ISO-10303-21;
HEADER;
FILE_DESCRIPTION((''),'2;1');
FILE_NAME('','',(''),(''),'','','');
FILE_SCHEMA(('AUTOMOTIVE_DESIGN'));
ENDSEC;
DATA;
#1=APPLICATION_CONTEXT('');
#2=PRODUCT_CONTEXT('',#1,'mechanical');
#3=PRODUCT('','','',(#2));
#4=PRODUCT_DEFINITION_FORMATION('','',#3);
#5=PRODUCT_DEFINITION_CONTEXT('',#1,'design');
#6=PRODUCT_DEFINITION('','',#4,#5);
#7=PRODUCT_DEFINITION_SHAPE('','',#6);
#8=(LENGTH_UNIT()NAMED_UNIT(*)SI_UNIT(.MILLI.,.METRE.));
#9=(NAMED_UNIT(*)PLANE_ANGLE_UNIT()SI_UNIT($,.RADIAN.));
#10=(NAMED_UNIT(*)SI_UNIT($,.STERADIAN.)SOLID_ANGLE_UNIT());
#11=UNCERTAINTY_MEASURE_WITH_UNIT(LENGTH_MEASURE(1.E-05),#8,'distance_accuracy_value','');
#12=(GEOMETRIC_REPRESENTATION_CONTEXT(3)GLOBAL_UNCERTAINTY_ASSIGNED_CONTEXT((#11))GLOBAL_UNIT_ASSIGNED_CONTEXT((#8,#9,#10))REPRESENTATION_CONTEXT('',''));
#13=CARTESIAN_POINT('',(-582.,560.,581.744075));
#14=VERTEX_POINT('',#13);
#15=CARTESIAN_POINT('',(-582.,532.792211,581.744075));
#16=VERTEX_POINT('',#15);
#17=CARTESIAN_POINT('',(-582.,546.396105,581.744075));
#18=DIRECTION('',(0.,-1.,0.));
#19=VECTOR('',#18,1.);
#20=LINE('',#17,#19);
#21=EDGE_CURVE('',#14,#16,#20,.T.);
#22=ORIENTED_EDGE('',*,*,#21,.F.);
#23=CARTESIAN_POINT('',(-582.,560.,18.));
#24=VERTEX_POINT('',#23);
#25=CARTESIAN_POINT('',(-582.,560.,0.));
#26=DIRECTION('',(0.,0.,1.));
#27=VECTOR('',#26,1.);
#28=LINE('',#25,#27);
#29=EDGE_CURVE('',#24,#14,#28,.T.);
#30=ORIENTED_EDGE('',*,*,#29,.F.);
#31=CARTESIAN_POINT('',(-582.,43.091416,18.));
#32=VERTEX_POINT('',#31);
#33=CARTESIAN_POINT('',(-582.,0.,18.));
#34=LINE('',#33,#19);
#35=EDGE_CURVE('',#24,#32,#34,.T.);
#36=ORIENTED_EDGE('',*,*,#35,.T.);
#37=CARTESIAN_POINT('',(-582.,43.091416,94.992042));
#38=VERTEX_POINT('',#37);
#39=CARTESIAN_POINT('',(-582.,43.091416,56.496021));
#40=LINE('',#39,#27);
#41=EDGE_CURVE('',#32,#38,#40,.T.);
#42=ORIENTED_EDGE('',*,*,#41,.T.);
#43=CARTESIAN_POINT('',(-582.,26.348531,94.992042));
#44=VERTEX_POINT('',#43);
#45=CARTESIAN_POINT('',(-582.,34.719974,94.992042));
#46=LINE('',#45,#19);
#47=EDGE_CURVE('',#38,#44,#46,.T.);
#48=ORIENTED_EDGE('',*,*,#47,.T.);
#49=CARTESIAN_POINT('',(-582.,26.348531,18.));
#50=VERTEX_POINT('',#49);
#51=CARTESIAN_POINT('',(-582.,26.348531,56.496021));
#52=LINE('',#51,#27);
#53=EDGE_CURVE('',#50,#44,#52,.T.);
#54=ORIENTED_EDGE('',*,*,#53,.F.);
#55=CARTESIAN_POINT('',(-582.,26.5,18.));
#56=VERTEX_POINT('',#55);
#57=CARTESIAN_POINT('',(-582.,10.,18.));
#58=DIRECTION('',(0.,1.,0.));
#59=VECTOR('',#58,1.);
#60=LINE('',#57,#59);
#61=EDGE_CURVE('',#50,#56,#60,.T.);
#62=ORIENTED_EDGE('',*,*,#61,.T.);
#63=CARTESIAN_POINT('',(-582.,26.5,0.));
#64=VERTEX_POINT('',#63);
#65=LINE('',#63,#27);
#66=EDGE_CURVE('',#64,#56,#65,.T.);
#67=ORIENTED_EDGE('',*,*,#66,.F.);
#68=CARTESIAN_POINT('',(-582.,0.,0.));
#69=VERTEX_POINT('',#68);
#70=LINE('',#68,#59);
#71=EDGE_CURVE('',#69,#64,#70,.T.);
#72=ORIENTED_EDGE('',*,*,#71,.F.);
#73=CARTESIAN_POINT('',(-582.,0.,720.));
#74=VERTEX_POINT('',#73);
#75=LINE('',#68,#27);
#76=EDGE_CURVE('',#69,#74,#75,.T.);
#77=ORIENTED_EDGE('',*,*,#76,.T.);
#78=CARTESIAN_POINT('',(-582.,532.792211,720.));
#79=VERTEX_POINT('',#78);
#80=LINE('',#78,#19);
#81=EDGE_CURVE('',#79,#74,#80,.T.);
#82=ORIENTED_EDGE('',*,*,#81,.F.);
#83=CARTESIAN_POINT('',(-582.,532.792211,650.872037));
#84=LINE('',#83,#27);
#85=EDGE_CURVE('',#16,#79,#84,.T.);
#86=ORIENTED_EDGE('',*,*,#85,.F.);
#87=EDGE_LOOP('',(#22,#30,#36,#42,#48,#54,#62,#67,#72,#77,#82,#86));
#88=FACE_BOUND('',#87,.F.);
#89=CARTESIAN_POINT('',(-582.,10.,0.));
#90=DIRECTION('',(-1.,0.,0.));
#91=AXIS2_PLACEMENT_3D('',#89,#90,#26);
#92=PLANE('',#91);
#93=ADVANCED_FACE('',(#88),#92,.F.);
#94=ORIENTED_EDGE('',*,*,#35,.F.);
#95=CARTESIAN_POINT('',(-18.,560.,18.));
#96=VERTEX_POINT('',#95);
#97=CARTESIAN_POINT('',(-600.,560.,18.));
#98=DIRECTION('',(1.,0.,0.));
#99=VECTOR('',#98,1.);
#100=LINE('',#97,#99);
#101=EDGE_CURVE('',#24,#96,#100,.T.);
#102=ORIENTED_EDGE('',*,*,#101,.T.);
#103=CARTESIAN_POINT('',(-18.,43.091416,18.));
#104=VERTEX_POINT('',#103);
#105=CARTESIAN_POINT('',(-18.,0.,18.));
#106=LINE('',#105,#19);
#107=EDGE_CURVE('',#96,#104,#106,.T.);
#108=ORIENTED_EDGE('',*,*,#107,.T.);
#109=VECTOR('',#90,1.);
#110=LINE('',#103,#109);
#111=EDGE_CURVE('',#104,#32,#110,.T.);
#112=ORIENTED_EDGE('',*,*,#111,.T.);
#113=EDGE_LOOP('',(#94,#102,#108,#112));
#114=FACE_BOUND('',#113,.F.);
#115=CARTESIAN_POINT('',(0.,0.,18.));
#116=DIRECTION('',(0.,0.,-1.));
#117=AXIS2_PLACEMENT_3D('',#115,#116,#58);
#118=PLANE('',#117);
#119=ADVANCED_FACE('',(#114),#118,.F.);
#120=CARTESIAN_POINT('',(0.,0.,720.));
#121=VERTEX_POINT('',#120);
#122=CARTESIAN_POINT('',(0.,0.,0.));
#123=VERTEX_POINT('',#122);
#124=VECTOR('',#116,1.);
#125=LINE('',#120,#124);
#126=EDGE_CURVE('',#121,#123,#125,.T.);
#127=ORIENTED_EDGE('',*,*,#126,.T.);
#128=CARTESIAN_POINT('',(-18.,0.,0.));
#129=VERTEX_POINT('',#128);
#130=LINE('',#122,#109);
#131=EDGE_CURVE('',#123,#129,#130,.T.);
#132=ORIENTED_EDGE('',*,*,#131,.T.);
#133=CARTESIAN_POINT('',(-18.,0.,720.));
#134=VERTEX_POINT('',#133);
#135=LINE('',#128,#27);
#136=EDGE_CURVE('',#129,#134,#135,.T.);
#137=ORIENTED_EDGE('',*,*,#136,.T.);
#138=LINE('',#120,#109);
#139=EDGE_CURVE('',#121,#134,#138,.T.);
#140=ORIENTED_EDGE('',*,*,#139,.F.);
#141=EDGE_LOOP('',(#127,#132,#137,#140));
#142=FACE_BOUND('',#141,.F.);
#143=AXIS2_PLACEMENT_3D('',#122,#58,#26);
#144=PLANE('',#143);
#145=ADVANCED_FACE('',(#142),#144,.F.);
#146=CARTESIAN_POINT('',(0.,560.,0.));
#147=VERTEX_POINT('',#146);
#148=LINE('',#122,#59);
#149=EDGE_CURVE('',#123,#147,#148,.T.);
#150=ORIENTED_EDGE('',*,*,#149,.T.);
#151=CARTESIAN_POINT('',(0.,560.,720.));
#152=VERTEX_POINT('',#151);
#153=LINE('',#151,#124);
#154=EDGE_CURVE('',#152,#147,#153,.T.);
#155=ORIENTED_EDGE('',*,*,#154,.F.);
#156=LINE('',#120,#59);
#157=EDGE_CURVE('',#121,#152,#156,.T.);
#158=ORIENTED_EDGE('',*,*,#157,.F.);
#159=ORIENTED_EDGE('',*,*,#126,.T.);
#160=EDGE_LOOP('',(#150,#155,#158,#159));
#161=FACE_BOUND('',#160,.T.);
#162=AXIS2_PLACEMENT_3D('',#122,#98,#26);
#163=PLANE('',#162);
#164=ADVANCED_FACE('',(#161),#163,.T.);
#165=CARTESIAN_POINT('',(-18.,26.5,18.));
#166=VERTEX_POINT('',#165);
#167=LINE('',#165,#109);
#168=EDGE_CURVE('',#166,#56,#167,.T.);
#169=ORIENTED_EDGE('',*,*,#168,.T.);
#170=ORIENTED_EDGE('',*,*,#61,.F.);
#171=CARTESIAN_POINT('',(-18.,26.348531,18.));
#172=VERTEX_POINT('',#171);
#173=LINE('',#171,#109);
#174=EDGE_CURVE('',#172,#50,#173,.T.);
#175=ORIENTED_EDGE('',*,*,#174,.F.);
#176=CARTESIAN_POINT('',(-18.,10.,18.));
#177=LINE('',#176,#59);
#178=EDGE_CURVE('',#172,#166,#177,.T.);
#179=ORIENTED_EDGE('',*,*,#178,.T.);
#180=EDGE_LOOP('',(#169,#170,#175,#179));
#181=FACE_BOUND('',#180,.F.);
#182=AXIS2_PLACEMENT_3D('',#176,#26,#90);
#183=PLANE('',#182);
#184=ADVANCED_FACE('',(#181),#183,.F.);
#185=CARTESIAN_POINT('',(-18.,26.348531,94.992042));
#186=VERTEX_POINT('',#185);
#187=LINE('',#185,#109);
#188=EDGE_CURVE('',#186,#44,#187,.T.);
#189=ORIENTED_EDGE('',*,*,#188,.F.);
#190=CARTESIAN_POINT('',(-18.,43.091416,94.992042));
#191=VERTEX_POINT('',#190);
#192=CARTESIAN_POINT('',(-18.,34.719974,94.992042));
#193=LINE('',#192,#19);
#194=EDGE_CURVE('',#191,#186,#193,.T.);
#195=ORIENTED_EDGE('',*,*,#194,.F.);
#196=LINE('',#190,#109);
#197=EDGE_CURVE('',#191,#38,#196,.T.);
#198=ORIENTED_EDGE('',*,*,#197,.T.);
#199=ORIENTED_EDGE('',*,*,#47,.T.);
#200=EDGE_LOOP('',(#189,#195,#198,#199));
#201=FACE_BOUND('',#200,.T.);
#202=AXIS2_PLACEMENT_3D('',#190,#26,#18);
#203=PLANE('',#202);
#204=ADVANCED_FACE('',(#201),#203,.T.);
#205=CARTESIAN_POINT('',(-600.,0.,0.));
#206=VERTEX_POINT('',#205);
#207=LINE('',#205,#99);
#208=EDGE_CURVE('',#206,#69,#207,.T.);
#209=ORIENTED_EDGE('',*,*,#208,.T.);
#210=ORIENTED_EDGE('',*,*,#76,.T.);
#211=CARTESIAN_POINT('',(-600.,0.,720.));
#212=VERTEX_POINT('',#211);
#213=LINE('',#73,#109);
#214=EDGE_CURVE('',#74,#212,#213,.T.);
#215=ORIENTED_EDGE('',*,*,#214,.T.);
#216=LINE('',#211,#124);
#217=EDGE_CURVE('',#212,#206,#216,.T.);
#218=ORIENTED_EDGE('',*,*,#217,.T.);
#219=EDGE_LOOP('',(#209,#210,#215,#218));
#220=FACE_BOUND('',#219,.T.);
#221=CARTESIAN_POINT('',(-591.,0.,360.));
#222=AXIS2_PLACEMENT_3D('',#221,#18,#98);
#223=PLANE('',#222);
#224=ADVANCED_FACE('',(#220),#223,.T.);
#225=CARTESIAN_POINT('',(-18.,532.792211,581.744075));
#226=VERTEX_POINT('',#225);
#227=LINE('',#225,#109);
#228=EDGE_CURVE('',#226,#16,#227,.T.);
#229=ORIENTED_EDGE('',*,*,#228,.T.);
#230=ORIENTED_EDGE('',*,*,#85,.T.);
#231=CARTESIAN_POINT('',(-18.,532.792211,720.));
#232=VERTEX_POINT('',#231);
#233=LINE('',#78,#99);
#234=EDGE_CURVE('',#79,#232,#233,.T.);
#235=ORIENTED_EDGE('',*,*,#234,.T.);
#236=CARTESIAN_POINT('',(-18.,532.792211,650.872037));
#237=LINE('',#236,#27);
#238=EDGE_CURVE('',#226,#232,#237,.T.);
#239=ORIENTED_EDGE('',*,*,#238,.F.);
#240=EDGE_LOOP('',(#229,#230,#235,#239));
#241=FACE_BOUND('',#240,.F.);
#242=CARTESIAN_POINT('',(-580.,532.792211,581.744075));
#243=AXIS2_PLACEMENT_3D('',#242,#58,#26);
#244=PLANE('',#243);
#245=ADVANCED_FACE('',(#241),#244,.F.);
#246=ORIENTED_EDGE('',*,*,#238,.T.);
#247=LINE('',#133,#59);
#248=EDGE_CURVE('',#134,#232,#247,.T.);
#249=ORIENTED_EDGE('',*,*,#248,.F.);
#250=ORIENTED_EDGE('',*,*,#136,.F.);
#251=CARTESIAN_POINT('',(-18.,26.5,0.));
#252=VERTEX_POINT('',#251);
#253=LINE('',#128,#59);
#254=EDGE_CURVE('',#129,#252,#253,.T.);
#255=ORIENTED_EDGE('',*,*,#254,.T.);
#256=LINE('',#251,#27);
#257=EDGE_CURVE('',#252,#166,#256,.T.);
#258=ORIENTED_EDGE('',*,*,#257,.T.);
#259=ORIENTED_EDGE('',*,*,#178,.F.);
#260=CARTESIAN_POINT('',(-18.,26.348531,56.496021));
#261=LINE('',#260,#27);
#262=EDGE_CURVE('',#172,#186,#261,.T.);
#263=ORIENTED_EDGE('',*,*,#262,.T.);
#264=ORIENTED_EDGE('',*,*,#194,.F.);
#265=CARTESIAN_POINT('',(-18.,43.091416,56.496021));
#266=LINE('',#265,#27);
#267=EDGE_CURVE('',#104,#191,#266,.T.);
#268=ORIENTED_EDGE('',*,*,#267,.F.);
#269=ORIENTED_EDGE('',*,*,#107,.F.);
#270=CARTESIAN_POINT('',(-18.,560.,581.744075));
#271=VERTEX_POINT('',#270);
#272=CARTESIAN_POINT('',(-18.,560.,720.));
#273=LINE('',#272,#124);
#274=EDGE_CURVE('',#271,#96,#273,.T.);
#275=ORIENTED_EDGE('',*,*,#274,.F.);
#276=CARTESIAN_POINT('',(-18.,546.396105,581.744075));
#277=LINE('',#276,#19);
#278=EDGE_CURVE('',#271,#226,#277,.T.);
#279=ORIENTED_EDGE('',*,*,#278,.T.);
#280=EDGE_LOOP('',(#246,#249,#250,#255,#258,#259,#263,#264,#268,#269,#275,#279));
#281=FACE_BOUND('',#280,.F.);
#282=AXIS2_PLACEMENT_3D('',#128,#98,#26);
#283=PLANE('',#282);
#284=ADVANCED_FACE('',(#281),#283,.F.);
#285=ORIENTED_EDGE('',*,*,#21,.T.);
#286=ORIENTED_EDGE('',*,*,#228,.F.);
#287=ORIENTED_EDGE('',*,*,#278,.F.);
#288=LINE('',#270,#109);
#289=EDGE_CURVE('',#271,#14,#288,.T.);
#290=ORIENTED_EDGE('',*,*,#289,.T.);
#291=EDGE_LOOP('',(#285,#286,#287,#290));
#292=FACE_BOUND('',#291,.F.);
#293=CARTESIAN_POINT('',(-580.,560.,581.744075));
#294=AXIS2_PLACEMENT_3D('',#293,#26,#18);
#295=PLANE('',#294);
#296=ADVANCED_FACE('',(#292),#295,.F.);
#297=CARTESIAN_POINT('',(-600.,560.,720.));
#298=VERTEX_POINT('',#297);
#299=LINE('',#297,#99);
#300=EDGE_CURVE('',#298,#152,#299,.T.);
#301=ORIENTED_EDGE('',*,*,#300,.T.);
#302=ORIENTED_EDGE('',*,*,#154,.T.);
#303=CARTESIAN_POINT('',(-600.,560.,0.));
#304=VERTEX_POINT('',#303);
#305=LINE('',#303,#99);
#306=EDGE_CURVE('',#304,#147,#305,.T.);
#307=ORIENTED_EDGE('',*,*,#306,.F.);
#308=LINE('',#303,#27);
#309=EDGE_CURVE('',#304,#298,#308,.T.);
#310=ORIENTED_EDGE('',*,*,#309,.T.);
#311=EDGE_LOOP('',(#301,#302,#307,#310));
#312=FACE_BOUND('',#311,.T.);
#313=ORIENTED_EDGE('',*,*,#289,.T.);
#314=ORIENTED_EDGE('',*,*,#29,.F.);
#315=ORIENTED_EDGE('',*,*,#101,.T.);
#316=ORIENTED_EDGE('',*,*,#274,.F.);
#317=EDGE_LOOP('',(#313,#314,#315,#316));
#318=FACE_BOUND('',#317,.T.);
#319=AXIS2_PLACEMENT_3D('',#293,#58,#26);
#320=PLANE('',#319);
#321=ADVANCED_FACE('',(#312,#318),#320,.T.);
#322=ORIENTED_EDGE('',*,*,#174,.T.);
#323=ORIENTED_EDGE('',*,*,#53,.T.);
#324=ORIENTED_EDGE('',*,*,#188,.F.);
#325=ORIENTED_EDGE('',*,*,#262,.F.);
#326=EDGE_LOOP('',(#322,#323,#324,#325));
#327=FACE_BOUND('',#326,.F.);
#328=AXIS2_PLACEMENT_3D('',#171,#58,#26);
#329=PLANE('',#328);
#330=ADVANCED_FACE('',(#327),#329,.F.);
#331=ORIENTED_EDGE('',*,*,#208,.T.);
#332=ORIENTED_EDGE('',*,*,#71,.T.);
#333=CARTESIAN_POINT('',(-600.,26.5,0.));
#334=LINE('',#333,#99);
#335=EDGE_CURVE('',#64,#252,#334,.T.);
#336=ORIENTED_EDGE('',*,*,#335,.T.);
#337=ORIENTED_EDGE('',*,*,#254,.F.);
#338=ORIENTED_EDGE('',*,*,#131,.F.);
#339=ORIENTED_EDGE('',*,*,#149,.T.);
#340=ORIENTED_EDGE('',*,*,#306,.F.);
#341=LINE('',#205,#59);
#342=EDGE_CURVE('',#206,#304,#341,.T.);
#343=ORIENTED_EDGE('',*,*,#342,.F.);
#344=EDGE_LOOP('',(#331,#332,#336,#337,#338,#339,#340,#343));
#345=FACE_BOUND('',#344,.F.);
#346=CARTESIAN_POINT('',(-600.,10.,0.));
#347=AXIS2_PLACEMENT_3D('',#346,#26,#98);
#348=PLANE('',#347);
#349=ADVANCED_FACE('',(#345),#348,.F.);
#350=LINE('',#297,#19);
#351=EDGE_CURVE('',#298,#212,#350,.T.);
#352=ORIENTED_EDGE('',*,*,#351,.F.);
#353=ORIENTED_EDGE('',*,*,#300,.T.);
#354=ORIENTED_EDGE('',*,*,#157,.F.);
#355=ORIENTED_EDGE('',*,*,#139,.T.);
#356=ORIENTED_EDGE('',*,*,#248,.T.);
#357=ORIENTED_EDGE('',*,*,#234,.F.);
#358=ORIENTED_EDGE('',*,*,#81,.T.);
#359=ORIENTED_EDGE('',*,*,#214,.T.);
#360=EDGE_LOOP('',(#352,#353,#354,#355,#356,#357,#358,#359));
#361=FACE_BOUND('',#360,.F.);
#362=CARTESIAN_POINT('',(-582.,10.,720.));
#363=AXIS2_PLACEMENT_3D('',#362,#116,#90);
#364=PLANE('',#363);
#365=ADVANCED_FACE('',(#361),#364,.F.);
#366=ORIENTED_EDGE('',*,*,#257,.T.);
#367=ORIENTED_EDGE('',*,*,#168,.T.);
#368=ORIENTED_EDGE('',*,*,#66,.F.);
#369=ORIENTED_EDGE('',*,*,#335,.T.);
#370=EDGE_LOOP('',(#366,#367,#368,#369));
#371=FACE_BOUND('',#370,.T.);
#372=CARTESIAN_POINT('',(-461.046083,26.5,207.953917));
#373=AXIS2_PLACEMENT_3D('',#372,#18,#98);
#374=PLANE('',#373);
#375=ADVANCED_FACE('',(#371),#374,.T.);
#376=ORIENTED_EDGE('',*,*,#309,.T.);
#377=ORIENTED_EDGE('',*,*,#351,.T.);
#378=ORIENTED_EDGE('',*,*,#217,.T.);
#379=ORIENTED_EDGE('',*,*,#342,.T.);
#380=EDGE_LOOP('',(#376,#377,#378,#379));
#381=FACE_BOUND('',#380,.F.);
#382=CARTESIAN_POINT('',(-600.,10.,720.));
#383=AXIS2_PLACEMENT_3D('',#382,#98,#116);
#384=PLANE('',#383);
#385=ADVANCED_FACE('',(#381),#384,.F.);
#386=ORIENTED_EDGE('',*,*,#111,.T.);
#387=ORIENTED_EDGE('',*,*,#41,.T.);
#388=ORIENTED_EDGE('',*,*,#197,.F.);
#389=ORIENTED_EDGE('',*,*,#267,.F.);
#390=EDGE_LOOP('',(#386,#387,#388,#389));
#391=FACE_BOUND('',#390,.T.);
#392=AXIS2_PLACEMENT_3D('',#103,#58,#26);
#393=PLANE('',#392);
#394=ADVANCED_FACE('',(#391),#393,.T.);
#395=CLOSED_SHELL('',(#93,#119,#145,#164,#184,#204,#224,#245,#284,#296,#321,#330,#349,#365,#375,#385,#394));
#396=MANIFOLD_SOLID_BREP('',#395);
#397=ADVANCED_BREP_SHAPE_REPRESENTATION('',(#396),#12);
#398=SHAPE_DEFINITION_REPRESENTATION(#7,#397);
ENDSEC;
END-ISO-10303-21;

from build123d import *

# Parameters (mm, degrees)
F0_W      = 52.5068640709
F0_H      = 40.332518518
F1_DEPTH  = 560
F2_DEPTH  = 600
F3_DEPTH  = 720
F4_T      = -18
F5_W      = 27.2077894211
F5_H      = 138.2559251785
F6_DEPTH  = 562
F7_DEPTH  = 2
F8_W      = 16.7428851128
F8_H      = 76.9920415878
F9_DEPTH  = 564
F11_DEPTH = 10
F13_DEPTH = 10
F14_DEPTH = 16.5


with BuildPart() as f1:
    # F0 (on Front) → F1 (new body)
    with BuildSketch(Plane.XZ):
        with Locations((-26.2534320354, 20.166259259)):
            Rectangle(F0_W, F0_H)
    extrude(amount=-F1_DEPTH)

    # F2 (add): a face of the model
    f2_faces = [f1.faces().sort_by_distance(p)[0] for p in [
        (0, 280, 20.166259259),
    ]]
    extrude(f2_faces, amount=-F2_DEPTH)

    # F3 (add): a face of the model
    f3_faces = [f1.faces().sort_by_distance(p)[0] for p in [
        (-300, 280, 0),
    ]]
    extrude(f3_faces, amount=-F3_DEPTH)

    # F4
    f4_openings = [f1.faces().sort_by_distance(p)[0] for p in [
        (-300, 560, 360),
        (-300, 280, 720),
        (-300, 0, 360),
    ]]
    offset(amount=F4_T, openings=f4_openings)

    # F5 (on face) → F6 (join)
    with BuildSketch(Plane(origin=(-18, 0, 0), x_dir=(0, -1, 0), z_dir=(-1, 0, 0))):
        with Locations((-546.3961052895, 650.8720374107)):
            Rectangle(F5_W, F5_H)
    extrude(amount=F6_DEPTH)

    # F7 (add): a face of the model
    f7_faces = [f1.faces().sort_by_distance(p)[0] for p in [
        (-580, 546.3961052895, 650.8720374107),
    ]]
    extrude(f7_faces, amount=F7_DEPTH)

    # F8 (on face) → F9 (join)
    with BuildSketch(Plane(origin=(-18, 0, 0), x_dir=(0, -1, 0), z_dir=(-1, 0, 0))):
        with Locations((-34.7199738026, 56.4960207939)):
            Rectangle(F8_W, F8_H)
    extrude(amount=F9_DEPTH)

    # F10 (on face) → F11 (cut)
    with BuildSketch(Plane.XZ):
        Polygon((-18, 0), (-18, 18), (-582, 18), (-582, 720), (-600, 720), (-600, 0), align=None)
    extrude(amount=-F11_DEPTH, mode=Mode.SUBTRACT)

    # F12 (on face) → F13 (join)
    with BuildSketch(Plane.XZ.offset(-10)):
        Polygon((-582, 0), (-582, 18), (-582, 720), (-600, 720), (-600, 0), align=None)
    extrude(amount=F13_DEPTH)

    # F14 (cut): a face of the model
    f14_faces = [f1.faces().sort_by_distance(p)[0] for p in [
        (-300, 10, 9),
    ]]
    extrude(f14_faces, amount=-F14_DEPTH, mode=Mode.SUBTRACT)


solid = f1.part
